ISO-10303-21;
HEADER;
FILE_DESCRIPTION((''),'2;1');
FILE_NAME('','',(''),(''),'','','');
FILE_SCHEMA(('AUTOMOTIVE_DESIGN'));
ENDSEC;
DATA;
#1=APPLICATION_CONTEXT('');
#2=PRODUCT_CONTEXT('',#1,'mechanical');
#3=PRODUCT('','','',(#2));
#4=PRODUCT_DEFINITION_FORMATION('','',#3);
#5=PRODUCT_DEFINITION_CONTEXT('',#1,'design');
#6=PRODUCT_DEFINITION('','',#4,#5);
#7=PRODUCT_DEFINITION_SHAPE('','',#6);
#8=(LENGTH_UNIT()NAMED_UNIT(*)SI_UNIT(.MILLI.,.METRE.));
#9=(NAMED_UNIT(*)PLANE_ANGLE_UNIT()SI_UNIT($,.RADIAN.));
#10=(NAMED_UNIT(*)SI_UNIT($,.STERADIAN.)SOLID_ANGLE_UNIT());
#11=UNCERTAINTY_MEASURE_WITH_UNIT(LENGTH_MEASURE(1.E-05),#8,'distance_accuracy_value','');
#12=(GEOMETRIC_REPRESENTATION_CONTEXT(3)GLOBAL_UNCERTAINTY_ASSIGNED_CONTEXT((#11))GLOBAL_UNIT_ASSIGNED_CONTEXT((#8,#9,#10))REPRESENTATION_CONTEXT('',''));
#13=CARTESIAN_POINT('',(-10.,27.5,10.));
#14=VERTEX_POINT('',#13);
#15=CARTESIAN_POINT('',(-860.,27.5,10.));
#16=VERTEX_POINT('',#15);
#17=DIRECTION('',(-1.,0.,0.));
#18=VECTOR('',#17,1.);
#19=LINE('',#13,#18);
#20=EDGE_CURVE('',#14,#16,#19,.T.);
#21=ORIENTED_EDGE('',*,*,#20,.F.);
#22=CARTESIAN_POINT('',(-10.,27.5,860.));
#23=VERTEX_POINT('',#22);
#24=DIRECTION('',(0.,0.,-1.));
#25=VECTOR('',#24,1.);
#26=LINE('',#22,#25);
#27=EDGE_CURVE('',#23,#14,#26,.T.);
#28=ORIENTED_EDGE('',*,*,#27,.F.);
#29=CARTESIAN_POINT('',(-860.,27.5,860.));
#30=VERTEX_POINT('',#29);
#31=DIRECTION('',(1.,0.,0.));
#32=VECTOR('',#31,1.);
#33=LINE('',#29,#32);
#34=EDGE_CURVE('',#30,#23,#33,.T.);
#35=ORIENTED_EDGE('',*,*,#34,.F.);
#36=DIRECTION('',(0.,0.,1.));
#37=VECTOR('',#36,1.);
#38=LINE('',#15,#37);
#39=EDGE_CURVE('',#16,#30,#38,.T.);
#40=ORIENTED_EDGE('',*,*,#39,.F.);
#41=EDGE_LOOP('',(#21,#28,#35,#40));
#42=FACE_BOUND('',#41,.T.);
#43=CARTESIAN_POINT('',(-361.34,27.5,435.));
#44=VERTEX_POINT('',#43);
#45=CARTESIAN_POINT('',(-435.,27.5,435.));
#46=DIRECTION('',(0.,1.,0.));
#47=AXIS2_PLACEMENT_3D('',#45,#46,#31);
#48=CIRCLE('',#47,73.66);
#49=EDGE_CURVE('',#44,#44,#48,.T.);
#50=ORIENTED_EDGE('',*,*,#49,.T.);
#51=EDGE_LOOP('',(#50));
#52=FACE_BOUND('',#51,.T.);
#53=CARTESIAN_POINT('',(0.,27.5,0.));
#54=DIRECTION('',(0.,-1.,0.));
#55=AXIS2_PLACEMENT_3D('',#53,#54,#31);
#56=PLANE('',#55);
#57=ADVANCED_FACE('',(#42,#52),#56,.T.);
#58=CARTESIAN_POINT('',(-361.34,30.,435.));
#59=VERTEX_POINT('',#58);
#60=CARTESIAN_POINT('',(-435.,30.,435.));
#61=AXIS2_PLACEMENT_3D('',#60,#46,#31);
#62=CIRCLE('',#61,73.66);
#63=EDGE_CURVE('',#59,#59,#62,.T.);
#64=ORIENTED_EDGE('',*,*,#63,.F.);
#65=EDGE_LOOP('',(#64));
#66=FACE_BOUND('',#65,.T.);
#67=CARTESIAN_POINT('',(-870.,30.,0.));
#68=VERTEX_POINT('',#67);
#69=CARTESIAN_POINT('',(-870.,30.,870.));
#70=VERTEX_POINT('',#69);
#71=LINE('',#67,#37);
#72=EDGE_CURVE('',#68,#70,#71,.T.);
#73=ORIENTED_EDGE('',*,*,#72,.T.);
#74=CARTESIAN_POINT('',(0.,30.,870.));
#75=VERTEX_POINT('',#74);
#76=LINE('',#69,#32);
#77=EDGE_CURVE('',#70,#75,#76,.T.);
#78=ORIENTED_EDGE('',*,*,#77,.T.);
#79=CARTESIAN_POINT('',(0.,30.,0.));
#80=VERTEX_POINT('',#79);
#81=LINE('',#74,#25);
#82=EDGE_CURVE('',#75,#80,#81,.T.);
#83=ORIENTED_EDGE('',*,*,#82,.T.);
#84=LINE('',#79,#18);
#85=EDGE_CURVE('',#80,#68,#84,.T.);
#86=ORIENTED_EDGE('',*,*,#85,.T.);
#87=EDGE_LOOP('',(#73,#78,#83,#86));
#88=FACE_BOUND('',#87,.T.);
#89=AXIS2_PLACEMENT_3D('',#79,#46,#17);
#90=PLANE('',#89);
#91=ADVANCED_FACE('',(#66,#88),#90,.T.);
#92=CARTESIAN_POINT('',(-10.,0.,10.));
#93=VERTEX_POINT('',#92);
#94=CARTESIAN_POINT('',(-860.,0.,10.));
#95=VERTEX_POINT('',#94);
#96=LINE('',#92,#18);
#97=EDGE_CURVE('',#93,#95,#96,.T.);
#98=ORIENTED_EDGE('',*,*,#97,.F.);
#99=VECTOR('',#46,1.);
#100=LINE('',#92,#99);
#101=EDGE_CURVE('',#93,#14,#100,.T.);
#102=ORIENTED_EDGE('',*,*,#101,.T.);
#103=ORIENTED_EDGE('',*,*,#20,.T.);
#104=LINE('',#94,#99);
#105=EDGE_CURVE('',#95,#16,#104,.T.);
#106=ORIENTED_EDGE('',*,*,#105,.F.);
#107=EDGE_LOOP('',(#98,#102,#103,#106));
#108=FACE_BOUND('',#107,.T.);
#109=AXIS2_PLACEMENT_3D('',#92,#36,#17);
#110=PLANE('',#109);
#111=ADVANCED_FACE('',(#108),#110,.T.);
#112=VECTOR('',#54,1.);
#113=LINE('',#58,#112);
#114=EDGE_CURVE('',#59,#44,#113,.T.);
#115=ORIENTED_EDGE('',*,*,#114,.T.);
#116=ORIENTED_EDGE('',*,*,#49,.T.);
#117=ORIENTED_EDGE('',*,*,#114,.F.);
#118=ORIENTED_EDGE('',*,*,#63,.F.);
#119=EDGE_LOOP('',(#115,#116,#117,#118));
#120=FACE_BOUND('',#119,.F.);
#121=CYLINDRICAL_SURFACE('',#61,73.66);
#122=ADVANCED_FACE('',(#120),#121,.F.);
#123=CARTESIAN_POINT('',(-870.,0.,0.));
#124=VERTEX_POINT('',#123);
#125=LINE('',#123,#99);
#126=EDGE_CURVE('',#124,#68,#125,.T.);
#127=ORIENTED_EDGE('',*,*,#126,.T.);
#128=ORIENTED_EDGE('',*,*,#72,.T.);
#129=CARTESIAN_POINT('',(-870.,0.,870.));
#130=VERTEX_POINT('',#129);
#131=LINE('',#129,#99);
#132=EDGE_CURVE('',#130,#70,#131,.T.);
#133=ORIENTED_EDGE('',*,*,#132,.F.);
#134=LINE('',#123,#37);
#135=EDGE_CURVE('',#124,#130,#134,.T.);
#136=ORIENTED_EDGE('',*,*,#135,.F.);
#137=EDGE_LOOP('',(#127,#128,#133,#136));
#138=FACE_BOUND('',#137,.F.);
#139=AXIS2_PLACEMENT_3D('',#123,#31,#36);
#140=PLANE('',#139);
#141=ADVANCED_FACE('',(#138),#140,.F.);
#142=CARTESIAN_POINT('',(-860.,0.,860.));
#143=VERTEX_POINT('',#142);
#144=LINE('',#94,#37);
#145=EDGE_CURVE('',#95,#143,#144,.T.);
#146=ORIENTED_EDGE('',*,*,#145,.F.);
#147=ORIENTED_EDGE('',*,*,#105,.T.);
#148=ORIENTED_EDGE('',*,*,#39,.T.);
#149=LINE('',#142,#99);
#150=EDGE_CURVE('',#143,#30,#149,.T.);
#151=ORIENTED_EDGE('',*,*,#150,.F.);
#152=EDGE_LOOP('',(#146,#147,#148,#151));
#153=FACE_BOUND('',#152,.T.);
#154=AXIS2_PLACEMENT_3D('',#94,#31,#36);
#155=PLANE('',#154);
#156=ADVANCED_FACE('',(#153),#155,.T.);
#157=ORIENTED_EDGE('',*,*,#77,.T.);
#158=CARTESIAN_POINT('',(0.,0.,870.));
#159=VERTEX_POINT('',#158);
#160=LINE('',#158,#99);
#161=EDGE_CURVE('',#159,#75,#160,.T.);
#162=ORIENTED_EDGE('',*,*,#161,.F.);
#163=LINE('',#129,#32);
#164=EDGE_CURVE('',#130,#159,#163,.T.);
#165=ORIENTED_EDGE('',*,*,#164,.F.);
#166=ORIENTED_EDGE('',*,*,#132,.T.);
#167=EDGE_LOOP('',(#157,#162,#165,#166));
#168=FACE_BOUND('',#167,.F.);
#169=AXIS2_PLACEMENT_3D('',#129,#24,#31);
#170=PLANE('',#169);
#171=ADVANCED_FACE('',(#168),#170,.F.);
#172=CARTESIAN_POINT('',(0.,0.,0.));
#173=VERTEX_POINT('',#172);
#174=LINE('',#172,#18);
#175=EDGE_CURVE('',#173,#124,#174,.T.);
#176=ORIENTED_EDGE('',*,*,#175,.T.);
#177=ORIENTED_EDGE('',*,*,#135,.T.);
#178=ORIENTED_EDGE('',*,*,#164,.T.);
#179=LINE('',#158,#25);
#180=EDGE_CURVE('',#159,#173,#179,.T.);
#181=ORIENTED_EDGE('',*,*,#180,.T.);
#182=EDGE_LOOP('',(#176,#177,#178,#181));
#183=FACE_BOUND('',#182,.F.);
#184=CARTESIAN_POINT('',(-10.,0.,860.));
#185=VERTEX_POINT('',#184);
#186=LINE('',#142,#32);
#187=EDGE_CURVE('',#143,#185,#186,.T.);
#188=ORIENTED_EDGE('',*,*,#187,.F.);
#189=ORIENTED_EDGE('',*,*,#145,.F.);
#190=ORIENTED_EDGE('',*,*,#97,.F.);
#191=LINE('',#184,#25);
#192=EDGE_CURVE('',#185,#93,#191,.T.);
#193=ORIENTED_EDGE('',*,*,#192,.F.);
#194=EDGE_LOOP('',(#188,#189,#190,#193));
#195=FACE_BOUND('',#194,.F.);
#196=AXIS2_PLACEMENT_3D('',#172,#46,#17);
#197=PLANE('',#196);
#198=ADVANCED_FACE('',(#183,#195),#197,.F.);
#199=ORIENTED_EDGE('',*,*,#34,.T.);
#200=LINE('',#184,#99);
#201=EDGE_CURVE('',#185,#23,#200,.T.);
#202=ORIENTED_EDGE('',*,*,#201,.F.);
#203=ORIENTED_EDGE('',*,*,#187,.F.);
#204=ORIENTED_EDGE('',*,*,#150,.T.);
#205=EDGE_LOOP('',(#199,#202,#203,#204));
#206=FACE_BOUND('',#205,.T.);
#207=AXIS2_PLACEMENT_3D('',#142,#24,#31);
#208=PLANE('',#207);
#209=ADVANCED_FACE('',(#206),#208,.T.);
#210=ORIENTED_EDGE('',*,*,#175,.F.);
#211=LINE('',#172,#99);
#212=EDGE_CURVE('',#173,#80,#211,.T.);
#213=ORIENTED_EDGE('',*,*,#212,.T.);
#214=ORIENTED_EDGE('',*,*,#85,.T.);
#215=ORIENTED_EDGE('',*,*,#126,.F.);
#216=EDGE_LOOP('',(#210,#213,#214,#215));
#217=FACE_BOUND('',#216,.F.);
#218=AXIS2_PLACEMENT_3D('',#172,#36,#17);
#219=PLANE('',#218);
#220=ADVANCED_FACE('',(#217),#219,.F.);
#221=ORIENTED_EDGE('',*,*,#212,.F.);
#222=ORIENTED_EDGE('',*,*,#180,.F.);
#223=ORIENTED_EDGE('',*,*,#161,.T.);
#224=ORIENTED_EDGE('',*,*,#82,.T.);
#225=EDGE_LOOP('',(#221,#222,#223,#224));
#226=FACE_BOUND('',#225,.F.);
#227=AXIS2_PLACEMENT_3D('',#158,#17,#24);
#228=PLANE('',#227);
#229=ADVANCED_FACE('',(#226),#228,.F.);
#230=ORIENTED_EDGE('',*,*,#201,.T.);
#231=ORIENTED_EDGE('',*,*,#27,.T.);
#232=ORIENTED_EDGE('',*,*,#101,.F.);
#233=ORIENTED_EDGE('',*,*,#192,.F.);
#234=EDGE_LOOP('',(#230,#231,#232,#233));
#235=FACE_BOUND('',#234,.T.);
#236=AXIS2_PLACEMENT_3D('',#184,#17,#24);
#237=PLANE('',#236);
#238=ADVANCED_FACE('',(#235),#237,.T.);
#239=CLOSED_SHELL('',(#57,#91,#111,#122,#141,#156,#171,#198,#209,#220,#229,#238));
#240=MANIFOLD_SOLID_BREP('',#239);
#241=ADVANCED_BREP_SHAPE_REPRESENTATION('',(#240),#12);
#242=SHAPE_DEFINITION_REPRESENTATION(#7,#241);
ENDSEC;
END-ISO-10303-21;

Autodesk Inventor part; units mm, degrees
ref_plane "YZ Plane" through (0, 0, 0) normal (1, 0, 0) x (0, 1, 0)
ref_plane "XZ Plane" through (0, 0, 0) normal (0, 1, 0) x (-1, 0, 0)
ref_plane "XY Plane" through (0, 0, 0) normal (0, 0, 1) x (1, 0, 0)
sketch "Sketch1" plane through (0, 0, 0) normal (0, 1, 0) x (-1, 0, 0)
  line L0 (0, 0) -> (870, 0)
  line L1 (870, 0) -> (870, 870)
  line L2 (870, 870) -> (0, 870)
  line L3 (0, 870) -> (0, 0)
  dimension "d0" = 870
  dimension "d1" = 870
extrude "Extrusion1" add sketch "Sketch1" along normal blind 30
sketch "Sketch2" plane through (0, 0, 0) normal (0, -1, 0) x (1, 0, 0)
  line L0 (0, 0) -> (-870, 0) projected
  line L1 (0, 870) -> (0, 0) projected
  line L2 (-870, 870) -> (0, 870) projected
  line L3 (-870, 0) -> (-870, 870) projected
  line L4 (-10, 860) -> (-10, 10)
  line L5 (-10, 10) -> (-860, 10)
  line L6 (-860, 10) -> (-860, 860)
  line L7 (-860, 860) -> (-10, 860)
  dimension "d4" = 10
extrude "Extrusion2" cut sketch "Sketch2" against normal blind 27.5 contours L4 L5 L6 L7
sketch "Sketch3" plane through (0, 30, 0) normal (0, 1, 0) x (1, 0, 0)
  circle A0 centre (-435, -435) radius 73.66
  line L0 (0, 0) -> (-870, 0) projected
  line L1 (-870, 0) -> (-870, -870) projected
  line L2 (-870, -870) -> (0, -870) projected
  line L3 (0, -870) -> (0, 0) projected
  line L4 (-435, 0) -> (-435, -870) construction
  line L5 (-870, -435) -> (0, -435) construction
  point P0 (-435, -435)
  dimension "d7" = 147.32
extrude "Extrusion3" cut sketch "Sketch3" against normal blind 25.4 contours A0
properties part number "housingLid" material "Steel, Galvanized"
